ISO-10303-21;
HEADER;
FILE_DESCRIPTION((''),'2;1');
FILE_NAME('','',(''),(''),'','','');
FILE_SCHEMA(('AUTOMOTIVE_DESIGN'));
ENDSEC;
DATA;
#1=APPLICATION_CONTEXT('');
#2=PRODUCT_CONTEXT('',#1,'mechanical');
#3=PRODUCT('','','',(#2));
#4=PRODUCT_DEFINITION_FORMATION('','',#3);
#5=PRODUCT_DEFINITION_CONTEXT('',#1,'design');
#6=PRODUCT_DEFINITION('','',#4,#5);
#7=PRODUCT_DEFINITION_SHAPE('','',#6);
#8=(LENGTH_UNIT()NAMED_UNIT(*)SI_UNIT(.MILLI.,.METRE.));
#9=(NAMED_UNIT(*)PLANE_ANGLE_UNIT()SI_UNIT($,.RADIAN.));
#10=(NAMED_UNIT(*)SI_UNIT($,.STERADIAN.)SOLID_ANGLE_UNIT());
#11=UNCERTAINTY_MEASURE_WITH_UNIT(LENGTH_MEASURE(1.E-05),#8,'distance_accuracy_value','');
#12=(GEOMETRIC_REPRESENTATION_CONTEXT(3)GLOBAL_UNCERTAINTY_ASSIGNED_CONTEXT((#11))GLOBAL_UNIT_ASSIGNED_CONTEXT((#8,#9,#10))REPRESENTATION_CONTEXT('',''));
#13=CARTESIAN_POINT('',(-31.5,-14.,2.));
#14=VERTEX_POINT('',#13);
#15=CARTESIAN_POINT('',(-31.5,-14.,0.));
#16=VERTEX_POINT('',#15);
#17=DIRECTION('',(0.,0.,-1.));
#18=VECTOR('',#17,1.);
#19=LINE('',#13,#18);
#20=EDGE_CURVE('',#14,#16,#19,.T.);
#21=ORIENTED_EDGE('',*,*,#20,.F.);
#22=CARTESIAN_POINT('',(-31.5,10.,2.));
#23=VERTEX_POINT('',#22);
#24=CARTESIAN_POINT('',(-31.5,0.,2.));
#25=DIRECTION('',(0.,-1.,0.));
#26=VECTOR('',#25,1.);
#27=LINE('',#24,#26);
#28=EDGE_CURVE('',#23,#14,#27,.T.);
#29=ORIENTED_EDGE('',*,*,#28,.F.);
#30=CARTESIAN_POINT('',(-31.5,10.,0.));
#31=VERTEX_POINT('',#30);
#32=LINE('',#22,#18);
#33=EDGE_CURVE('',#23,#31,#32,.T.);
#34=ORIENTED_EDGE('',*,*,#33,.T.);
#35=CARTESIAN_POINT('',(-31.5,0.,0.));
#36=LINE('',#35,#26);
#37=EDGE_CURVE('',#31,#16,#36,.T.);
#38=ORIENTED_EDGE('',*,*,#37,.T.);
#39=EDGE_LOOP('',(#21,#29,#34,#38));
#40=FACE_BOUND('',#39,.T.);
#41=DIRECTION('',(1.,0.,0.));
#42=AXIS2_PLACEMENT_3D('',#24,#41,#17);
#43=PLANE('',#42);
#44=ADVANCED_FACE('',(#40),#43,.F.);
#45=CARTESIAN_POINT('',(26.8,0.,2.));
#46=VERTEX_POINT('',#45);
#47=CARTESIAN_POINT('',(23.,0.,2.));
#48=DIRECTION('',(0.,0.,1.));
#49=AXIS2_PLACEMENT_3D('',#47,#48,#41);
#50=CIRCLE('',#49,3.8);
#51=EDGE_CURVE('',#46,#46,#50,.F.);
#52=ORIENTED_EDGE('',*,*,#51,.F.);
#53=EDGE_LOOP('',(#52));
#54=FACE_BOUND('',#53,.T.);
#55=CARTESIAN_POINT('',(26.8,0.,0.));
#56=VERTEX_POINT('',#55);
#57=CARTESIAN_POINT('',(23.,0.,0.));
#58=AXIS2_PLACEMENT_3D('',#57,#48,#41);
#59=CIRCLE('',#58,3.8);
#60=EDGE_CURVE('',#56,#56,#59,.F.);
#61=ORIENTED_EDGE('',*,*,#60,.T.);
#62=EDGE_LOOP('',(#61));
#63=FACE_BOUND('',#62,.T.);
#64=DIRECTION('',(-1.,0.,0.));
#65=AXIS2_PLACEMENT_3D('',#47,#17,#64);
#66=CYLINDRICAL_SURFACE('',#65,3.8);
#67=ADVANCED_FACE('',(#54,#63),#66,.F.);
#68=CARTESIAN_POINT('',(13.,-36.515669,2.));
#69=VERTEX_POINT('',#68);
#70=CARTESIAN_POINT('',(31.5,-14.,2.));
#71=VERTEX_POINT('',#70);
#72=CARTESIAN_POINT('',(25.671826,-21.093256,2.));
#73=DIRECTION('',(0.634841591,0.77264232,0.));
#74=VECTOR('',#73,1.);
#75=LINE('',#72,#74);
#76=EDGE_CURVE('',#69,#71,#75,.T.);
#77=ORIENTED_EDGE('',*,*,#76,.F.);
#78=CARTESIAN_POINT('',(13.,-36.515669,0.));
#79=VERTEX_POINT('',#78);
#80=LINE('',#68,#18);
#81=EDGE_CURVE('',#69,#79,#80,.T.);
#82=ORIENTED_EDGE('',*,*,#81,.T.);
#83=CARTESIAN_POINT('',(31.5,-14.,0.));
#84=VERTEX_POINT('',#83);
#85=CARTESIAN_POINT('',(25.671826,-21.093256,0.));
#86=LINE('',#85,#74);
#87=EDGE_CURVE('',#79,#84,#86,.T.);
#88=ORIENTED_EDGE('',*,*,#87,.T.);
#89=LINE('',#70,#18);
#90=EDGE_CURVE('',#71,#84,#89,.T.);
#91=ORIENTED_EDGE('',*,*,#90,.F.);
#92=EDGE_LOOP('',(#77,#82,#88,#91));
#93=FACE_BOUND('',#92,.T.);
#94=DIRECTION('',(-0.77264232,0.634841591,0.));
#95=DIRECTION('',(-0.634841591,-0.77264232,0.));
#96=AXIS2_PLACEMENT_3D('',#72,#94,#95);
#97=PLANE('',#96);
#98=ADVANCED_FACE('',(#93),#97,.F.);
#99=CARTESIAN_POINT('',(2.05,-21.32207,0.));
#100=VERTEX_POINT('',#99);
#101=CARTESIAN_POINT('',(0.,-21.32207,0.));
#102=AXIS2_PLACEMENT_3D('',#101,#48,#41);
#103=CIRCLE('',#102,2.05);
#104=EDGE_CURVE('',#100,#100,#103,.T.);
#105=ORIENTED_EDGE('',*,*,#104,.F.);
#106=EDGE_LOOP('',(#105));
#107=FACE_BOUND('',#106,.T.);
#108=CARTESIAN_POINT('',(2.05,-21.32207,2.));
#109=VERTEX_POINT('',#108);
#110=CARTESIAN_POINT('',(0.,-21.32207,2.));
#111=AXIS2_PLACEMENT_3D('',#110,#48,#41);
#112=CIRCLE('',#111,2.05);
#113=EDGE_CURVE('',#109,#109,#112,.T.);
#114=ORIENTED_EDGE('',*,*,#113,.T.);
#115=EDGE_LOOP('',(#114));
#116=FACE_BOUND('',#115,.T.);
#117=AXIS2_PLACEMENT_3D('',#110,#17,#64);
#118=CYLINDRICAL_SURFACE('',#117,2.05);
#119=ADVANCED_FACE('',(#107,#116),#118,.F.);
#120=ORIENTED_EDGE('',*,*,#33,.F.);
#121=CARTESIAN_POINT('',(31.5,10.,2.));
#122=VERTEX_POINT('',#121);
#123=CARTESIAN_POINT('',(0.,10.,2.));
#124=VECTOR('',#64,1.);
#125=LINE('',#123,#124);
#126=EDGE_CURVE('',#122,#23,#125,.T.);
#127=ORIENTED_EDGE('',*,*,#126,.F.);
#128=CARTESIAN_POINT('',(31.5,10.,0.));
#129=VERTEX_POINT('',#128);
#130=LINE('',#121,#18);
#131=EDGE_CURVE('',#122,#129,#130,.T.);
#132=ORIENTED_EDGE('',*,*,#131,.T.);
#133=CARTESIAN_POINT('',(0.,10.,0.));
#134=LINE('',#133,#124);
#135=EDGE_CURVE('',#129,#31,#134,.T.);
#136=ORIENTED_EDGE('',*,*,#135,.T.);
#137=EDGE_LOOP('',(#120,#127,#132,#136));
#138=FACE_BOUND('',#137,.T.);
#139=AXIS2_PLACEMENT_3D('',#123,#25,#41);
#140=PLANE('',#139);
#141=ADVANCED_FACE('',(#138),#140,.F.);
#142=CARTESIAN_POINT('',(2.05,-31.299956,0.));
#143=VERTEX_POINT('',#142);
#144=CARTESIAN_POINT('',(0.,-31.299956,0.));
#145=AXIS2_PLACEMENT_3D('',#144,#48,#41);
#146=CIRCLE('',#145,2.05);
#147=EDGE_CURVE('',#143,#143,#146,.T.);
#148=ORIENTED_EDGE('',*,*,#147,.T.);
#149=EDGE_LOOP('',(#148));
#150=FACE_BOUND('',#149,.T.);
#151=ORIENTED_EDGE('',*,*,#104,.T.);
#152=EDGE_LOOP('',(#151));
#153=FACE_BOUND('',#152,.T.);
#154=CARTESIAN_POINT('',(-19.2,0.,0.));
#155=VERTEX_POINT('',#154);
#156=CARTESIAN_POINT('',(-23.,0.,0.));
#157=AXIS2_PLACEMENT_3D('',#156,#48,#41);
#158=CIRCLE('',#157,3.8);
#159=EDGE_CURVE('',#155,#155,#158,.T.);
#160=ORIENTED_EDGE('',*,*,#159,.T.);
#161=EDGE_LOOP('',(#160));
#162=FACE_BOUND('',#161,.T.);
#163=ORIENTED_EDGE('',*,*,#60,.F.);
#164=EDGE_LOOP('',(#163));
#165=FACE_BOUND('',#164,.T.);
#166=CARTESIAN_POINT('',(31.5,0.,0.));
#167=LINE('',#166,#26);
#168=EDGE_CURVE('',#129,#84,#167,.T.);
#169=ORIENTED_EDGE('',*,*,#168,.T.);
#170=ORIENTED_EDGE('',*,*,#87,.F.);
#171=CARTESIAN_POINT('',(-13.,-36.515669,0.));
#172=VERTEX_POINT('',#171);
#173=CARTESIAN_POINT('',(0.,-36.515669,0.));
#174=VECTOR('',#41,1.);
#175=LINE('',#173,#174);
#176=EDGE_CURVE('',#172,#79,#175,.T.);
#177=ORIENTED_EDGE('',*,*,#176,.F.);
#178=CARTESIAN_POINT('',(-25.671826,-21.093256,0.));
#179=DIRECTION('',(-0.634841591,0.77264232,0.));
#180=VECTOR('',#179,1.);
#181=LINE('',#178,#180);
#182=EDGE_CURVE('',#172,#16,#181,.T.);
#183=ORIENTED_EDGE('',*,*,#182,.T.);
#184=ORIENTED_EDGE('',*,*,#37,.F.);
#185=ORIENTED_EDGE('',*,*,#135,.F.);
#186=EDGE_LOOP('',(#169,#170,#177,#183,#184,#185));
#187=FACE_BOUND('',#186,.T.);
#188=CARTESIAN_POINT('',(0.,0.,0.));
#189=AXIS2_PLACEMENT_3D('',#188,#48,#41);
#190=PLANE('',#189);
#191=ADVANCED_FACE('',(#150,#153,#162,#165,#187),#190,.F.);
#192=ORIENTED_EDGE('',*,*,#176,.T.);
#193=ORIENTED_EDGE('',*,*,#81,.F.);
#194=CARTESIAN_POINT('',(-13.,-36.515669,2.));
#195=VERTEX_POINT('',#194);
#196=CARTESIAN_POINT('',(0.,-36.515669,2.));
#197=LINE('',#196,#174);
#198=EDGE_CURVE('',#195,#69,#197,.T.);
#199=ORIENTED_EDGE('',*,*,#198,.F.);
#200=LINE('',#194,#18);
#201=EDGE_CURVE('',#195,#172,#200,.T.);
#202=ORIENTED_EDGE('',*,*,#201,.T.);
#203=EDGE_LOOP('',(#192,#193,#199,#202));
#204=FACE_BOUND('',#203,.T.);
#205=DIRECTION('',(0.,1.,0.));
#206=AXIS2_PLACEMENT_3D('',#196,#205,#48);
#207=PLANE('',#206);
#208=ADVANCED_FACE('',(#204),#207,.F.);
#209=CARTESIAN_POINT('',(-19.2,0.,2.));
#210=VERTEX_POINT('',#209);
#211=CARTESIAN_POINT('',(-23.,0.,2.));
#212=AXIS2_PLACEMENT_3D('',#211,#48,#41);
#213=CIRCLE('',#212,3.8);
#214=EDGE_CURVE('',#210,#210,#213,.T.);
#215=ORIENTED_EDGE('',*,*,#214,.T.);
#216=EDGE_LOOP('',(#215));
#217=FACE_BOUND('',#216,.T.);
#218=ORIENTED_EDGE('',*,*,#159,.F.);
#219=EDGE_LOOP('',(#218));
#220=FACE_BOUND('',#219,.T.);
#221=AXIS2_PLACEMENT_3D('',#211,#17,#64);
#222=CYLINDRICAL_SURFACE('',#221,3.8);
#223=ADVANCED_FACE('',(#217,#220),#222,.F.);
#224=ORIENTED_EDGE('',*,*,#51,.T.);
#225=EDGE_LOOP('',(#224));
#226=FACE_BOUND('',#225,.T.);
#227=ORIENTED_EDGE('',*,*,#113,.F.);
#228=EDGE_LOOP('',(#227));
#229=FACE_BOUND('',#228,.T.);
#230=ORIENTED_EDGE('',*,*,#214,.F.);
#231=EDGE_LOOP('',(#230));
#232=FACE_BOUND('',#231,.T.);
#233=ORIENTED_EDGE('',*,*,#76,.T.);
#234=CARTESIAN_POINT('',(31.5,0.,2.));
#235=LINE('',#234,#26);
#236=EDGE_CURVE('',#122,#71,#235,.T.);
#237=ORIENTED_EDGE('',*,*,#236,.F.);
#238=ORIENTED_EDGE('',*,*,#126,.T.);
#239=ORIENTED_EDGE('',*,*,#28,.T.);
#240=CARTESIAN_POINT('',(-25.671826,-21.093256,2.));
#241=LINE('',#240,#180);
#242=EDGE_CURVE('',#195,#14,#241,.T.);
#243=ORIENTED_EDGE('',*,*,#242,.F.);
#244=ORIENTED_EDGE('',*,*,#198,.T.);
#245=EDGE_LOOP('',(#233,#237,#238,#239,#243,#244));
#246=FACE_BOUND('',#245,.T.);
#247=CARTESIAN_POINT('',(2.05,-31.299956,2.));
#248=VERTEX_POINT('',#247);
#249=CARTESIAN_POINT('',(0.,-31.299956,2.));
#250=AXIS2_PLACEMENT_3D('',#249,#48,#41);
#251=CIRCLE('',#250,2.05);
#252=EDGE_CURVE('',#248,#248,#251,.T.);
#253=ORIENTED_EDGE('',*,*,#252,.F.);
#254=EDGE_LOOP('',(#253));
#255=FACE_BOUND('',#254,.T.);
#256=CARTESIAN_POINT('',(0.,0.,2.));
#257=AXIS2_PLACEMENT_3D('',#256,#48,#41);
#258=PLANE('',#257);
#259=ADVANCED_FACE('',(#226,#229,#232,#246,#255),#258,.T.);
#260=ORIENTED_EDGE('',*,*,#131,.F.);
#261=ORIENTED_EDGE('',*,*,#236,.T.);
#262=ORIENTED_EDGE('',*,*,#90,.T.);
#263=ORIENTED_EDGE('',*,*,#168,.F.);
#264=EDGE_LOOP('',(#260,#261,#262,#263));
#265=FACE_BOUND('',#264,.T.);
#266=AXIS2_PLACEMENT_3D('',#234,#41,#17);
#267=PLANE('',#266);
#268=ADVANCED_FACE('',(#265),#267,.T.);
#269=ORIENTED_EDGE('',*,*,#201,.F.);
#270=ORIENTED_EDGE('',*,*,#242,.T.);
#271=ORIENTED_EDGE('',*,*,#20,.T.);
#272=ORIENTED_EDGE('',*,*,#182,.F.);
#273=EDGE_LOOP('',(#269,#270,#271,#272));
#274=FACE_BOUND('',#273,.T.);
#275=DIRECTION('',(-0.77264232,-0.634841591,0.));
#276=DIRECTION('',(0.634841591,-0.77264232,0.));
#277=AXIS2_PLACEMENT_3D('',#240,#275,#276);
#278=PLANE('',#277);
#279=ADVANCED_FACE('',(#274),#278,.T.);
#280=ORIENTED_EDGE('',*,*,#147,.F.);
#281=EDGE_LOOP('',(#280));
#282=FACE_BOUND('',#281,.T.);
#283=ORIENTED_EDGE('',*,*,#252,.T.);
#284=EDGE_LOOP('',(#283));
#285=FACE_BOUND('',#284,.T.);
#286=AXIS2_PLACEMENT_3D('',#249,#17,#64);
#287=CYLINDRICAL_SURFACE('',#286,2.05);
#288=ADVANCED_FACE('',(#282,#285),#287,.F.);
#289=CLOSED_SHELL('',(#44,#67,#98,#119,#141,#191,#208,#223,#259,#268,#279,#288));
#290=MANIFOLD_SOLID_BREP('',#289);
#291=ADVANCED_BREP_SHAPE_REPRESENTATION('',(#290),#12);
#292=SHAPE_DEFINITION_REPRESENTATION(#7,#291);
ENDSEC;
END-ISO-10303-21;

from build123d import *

# Parameters (mm, degrees)
SKETCH1_W           = 63
SKETCH1_H           = 24
SKETCH1_R           = 3.8
BOSS_EXTRUDE1_DEPTH = 2
SKETCH1_3_R         = 2.05
BOSS_EXTRUDE2_DEPTH = 2


with BuildPart() as part:
    # Sketch1 → Boss-Extrude1 (new body)
    with BuildSketch(Plane.XY):
        with Locations((0, -2)):
            Rectangle(SKETCH1_W, SKETCH1_H)
        with Locations((-23, 0)):
            Circle(SKETCH1_R, mode=Mode.SUBTRACT)
        with Locations((23, 0)):
            Circle(SKETCH1_R, mode=Mode.SUBTRACT)
    extrude(amount=BOSS_EXTRUDE1_DEPTH)

    # Sketch1<3> → Boss-Extrude2 (add)
    with BuildSketch(Plane.XY):
        Polygon((13, -36.51566868), (31.5, -14), (-31.5, -14), (-13, -36.51566868), (0, -36.51566868), align=None)
        with Locations((0, -31.299955557)):
            Circle(SKETCH1_3_R, mode=Mode.SUBTRACT)
        with Locations((0, -21.322069584)):
            Circle(SKETCH1_3_R, mode=Mode.SUBTRACT)
    extrude(amount=BOSS_EXTRUDE2_DEPTH)


solid = part.part
